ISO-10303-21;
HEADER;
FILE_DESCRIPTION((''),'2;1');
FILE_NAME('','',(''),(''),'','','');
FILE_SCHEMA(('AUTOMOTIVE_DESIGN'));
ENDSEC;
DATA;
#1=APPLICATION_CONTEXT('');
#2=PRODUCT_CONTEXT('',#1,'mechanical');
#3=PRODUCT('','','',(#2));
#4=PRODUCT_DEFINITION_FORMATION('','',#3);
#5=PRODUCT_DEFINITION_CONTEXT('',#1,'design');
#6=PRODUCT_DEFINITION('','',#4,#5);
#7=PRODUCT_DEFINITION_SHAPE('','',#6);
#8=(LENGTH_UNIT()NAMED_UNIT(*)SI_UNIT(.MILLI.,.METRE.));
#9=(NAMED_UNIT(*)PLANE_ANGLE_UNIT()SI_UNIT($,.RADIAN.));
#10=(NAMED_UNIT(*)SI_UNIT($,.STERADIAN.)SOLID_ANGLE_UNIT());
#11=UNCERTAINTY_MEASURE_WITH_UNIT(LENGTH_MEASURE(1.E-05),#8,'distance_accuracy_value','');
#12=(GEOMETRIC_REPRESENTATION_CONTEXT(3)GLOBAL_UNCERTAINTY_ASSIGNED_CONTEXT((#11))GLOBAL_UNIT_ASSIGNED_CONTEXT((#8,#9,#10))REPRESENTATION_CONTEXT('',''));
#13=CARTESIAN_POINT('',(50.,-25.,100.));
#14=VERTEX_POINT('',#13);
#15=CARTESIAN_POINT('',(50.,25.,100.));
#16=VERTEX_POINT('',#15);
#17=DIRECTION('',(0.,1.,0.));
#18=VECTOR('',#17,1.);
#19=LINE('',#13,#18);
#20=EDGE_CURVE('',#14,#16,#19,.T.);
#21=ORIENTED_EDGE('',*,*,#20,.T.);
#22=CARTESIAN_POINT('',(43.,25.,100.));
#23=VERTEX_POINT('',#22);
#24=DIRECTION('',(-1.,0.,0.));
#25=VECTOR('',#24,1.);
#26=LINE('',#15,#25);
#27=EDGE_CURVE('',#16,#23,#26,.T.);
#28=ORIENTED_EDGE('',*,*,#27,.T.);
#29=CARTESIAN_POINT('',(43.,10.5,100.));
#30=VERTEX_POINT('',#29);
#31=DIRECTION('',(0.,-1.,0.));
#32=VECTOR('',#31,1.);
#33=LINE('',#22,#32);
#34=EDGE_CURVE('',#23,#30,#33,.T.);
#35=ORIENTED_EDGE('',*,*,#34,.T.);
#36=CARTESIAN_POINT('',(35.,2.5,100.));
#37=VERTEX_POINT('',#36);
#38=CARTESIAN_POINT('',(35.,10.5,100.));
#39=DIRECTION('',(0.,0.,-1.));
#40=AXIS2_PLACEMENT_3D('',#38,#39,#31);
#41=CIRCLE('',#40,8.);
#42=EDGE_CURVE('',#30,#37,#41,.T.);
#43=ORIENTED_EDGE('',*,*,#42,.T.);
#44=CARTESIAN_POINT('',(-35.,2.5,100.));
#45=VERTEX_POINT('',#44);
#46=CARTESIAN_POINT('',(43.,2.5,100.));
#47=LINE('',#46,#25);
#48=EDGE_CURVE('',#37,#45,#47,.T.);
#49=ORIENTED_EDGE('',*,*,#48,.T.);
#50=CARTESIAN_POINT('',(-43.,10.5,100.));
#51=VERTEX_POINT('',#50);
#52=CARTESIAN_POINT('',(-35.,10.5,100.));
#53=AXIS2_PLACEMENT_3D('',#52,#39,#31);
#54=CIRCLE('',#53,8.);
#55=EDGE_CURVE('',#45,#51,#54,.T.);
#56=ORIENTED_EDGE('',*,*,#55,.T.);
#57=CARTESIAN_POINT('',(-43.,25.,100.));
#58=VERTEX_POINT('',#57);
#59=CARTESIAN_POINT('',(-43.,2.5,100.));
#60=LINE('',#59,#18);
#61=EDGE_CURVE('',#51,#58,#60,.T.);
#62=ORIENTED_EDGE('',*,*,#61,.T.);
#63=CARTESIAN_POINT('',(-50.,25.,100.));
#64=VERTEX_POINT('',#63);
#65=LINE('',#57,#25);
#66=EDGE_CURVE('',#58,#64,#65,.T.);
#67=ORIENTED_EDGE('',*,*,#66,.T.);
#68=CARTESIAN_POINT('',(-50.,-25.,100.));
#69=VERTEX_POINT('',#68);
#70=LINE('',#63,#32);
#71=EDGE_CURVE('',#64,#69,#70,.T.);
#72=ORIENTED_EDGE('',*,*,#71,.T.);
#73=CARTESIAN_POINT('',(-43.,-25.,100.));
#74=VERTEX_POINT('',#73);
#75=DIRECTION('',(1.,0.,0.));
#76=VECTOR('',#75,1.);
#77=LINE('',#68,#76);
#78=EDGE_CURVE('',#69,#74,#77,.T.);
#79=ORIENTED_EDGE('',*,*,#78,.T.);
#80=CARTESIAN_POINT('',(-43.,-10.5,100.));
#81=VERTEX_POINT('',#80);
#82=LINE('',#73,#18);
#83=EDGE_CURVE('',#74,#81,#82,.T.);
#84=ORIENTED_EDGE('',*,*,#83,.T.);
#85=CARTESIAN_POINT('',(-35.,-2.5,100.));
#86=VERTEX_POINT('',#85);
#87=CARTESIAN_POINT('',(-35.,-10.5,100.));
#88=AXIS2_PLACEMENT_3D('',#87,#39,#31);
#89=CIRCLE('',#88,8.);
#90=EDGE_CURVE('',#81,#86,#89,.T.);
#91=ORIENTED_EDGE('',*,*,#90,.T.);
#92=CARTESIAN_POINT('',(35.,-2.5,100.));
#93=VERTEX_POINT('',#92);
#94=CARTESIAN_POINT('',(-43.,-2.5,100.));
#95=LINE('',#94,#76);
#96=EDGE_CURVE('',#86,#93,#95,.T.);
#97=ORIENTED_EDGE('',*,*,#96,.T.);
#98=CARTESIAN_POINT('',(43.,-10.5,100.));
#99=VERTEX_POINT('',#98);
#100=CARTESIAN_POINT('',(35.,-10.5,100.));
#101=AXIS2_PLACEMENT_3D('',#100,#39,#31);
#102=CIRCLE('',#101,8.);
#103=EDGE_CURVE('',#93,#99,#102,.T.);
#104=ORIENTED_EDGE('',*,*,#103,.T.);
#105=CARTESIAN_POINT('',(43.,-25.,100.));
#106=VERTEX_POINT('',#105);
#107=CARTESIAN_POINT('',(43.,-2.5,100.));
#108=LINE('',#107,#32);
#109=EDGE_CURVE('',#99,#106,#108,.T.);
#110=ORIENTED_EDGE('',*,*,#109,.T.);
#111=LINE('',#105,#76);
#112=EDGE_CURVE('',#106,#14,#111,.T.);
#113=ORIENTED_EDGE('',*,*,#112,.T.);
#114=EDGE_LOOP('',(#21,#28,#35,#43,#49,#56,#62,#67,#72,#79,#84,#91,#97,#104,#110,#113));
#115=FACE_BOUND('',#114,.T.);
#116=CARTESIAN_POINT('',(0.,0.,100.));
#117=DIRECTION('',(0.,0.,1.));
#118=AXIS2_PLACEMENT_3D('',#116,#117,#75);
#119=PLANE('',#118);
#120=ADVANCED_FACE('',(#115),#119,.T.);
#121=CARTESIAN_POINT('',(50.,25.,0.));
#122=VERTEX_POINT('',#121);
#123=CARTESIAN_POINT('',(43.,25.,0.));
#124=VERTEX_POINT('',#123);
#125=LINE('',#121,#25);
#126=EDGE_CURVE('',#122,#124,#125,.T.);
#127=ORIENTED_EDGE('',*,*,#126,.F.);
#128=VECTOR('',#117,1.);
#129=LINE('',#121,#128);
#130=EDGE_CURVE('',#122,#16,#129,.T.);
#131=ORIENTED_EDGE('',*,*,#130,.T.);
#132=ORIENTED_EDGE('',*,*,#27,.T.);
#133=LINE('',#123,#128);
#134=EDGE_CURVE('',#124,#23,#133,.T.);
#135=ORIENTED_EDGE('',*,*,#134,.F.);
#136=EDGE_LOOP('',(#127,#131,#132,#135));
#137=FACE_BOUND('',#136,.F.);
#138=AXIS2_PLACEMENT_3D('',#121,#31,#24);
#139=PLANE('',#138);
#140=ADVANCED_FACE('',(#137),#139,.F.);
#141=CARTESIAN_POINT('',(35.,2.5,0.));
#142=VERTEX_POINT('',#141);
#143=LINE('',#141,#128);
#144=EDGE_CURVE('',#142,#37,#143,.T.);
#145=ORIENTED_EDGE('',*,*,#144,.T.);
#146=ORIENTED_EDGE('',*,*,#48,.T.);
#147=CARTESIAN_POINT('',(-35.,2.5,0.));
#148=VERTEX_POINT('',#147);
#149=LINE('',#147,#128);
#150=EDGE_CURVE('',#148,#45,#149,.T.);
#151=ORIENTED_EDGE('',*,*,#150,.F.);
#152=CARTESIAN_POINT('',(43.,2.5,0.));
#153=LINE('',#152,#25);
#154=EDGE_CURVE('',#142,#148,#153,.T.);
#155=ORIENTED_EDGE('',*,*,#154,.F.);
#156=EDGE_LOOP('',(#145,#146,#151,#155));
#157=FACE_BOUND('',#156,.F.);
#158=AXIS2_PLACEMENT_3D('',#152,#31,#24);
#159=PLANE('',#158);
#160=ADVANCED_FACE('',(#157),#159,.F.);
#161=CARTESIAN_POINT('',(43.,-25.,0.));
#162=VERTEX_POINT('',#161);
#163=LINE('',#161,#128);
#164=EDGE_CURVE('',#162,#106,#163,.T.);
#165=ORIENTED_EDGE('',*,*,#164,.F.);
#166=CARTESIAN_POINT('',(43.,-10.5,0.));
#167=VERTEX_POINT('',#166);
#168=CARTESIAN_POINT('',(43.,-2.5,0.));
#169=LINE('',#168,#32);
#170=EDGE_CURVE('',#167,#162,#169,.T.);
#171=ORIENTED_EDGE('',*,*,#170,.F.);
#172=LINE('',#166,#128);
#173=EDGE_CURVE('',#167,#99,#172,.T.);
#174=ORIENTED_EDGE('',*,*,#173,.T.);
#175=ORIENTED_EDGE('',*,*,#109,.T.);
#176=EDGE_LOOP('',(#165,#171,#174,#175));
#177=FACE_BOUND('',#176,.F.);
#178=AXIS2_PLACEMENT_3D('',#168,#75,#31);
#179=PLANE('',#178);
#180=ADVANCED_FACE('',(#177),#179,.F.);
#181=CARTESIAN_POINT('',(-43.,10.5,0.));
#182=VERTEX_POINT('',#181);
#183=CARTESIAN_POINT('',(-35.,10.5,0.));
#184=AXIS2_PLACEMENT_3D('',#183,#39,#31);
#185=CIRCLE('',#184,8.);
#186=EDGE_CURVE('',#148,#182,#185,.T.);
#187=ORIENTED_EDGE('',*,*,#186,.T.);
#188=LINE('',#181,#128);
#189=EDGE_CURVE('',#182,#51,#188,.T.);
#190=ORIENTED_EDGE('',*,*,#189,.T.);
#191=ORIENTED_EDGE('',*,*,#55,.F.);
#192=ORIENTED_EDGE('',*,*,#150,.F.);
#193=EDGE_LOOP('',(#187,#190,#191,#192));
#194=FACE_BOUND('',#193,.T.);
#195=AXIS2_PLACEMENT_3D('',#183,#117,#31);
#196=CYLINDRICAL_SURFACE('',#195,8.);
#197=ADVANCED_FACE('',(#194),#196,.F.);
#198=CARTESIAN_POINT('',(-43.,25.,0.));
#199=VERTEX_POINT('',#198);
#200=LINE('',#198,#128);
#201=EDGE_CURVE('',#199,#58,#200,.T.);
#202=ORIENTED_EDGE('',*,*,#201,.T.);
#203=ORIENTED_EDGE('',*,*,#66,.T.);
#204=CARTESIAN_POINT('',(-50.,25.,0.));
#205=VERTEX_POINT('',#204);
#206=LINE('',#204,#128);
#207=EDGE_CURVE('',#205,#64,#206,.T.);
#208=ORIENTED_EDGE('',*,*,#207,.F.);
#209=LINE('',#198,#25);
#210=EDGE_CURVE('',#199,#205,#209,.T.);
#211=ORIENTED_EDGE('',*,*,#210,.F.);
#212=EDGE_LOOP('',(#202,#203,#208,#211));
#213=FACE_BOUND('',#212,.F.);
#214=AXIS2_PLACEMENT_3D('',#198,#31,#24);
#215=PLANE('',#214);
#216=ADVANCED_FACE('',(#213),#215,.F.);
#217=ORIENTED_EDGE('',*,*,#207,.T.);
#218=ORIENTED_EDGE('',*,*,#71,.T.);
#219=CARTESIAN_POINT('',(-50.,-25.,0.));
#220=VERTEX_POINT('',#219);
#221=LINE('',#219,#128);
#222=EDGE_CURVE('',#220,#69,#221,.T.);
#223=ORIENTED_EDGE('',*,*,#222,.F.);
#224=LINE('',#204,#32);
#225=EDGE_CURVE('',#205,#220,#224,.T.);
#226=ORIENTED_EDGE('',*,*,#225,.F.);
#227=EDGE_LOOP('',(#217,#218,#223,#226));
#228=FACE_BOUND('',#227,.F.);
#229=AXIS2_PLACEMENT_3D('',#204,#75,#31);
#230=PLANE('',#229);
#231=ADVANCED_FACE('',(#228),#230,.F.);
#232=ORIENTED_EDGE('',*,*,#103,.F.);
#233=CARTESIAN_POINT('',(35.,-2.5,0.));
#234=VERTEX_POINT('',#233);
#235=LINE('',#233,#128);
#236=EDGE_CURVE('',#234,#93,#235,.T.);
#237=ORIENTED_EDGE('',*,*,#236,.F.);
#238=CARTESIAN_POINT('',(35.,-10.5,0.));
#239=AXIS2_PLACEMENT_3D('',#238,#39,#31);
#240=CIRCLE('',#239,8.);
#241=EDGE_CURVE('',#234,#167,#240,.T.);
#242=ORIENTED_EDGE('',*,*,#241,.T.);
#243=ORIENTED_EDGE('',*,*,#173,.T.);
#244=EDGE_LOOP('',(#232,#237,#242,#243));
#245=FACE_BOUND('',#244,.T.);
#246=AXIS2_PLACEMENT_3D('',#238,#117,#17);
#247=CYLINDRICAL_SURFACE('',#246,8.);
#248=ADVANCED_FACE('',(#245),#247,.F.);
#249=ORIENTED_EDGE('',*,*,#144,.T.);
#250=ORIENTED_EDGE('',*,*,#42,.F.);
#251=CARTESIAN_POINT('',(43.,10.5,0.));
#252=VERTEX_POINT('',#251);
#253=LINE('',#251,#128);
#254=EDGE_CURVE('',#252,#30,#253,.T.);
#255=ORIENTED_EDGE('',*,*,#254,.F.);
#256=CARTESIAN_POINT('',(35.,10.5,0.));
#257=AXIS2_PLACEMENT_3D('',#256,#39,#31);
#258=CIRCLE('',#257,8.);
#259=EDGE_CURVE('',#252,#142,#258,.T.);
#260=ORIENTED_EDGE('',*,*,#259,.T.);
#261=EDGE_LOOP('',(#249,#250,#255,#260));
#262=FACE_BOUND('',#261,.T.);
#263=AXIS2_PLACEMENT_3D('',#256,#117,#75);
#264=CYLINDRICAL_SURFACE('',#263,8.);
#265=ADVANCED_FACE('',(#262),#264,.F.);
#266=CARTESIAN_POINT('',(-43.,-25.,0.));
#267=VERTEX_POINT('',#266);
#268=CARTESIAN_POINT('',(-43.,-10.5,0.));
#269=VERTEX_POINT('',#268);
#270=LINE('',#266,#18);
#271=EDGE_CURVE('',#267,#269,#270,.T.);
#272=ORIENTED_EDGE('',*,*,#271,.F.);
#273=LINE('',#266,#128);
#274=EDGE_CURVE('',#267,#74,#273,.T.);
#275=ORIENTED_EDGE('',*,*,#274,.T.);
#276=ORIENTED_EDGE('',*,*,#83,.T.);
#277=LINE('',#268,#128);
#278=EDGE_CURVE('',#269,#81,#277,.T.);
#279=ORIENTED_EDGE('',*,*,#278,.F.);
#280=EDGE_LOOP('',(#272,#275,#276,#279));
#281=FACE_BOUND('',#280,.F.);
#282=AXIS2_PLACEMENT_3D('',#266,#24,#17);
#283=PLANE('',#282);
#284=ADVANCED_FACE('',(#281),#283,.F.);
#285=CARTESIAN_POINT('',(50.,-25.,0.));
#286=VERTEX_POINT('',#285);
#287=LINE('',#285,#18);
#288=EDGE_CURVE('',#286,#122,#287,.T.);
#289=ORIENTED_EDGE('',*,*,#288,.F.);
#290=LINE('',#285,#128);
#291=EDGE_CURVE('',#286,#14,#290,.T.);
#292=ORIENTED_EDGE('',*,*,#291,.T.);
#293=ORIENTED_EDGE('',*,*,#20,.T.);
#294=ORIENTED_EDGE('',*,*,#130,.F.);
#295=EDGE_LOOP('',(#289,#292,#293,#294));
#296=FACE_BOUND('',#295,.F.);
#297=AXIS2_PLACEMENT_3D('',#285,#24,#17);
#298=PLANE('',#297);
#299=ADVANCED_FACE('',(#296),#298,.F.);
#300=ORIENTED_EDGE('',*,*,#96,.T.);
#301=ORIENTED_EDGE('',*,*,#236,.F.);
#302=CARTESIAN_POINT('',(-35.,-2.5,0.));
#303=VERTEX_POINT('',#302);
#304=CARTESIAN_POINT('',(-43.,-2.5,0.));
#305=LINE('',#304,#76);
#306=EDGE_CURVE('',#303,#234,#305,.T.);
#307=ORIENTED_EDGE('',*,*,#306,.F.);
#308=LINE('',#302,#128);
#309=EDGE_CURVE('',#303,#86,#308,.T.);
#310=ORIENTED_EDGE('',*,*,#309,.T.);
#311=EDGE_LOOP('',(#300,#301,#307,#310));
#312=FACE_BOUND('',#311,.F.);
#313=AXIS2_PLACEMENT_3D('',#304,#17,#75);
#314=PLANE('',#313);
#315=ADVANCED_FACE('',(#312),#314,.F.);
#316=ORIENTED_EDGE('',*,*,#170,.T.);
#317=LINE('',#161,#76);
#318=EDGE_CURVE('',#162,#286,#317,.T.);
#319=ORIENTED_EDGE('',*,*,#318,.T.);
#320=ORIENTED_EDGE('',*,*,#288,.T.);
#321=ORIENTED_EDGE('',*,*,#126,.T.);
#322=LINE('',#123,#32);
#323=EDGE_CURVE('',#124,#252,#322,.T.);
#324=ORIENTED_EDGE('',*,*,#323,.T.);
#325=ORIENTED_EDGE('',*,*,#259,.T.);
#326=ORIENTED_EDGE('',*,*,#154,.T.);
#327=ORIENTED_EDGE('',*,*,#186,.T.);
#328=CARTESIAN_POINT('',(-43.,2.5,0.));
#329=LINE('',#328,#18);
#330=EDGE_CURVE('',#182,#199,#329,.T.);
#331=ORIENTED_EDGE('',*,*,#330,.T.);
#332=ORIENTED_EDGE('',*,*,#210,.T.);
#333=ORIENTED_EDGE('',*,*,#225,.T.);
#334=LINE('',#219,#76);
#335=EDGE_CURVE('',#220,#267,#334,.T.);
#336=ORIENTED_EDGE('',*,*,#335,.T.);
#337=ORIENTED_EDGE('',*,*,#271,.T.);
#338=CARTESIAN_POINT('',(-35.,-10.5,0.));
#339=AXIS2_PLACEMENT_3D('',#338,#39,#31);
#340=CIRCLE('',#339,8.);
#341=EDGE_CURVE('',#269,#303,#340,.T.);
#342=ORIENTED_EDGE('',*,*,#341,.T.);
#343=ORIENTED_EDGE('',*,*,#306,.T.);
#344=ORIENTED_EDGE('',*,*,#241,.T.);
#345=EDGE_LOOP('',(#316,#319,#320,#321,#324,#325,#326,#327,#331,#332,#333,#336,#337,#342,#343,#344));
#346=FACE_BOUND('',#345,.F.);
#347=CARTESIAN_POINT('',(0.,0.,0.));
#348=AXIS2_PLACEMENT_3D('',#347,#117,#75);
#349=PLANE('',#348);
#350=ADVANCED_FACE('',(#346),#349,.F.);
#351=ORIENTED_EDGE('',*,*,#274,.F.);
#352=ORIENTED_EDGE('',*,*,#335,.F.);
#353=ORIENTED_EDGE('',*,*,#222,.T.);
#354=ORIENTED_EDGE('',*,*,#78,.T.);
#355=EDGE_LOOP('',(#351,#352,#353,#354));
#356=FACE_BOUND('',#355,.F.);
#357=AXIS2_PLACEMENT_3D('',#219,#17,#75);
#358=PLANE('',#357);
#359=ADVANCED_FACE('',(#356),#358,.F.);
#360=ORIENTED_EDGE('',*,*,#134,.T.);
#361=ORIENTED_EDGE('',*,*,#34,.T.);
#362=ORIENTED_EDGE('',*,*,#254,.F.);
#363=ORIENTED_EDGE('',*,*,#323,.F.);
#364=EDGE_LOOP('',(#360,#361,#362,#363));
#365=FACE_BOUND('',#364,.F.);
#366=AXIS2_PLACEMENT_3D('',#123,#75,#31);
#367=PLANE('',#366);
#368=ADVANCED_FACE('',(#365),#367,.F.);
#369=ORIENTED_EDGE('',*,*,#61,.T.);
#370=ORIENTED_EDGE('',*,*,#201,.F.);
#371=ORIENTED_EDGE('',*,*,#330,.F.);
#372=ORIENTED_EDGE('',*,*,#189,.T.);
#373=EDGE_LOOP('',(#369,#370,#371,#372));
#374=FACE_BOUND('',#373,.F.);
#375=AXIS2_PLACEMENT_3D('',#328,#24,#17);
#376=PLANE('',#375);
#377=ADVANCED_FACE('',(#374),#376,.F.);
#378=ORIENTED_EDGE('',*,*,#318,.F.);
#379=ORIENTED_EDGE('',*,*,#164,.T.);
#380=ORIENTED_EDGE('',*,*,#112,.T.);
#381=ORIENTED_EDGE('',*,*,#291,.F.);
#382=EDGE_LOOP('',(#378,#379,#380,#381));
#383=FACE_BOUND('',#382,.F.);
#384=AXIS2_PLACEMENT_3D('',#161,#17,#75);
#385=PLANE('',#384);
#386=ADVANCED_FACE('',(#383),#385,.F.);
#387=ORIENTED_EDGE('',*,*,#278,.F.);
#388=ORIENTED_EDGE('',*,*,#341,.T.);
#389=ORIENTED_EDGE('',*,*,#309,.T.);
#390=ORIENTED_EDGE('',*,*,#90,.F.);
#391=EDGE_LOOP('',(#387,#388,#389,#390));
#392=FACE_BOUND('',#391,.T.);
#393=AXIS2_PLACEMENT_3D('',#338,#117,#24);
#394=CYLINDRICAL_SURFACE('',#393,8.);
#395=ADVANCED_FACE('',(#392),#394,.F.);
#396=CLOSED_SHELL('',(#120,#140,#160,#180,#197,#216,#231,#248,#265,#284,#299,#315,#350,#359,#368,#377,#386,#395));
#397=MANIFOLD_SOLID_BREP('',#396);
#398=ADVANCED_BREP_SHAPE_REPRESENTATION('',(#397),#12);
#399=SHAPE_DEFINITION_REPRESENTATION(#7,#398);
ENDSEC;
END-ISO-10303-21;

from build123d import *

# Parameters (mm, degrees)
F1_DEPTH = 100
F2_R     = 8


with BuildPart() as f1:
    # F0 (on Top) → F1 (new body)
    with BuildSketch(Plane.XY):
        Polygon((-43, 25), (-50, 25), (-50, -25), (-43, -25), (-43, -2.5), (43, -2.5), (43, -25), (50, -25), (50, 25), (43, 25), (43, 2.5), (-43, 2.5), align=None)
    extrude(amount=F1_DEPTH)

    # F2
    f2_edges = [f1.edges().sort_by_distance(p)[0] for p in [
        (43, -2.5, 50),
        (-43, -2.5, 50),
        (-43, 2.5, 50),
        (43, 2.5, 50),
    ]]
    fillet(f2_edges, radius=F2_R)


solid = f1.part
